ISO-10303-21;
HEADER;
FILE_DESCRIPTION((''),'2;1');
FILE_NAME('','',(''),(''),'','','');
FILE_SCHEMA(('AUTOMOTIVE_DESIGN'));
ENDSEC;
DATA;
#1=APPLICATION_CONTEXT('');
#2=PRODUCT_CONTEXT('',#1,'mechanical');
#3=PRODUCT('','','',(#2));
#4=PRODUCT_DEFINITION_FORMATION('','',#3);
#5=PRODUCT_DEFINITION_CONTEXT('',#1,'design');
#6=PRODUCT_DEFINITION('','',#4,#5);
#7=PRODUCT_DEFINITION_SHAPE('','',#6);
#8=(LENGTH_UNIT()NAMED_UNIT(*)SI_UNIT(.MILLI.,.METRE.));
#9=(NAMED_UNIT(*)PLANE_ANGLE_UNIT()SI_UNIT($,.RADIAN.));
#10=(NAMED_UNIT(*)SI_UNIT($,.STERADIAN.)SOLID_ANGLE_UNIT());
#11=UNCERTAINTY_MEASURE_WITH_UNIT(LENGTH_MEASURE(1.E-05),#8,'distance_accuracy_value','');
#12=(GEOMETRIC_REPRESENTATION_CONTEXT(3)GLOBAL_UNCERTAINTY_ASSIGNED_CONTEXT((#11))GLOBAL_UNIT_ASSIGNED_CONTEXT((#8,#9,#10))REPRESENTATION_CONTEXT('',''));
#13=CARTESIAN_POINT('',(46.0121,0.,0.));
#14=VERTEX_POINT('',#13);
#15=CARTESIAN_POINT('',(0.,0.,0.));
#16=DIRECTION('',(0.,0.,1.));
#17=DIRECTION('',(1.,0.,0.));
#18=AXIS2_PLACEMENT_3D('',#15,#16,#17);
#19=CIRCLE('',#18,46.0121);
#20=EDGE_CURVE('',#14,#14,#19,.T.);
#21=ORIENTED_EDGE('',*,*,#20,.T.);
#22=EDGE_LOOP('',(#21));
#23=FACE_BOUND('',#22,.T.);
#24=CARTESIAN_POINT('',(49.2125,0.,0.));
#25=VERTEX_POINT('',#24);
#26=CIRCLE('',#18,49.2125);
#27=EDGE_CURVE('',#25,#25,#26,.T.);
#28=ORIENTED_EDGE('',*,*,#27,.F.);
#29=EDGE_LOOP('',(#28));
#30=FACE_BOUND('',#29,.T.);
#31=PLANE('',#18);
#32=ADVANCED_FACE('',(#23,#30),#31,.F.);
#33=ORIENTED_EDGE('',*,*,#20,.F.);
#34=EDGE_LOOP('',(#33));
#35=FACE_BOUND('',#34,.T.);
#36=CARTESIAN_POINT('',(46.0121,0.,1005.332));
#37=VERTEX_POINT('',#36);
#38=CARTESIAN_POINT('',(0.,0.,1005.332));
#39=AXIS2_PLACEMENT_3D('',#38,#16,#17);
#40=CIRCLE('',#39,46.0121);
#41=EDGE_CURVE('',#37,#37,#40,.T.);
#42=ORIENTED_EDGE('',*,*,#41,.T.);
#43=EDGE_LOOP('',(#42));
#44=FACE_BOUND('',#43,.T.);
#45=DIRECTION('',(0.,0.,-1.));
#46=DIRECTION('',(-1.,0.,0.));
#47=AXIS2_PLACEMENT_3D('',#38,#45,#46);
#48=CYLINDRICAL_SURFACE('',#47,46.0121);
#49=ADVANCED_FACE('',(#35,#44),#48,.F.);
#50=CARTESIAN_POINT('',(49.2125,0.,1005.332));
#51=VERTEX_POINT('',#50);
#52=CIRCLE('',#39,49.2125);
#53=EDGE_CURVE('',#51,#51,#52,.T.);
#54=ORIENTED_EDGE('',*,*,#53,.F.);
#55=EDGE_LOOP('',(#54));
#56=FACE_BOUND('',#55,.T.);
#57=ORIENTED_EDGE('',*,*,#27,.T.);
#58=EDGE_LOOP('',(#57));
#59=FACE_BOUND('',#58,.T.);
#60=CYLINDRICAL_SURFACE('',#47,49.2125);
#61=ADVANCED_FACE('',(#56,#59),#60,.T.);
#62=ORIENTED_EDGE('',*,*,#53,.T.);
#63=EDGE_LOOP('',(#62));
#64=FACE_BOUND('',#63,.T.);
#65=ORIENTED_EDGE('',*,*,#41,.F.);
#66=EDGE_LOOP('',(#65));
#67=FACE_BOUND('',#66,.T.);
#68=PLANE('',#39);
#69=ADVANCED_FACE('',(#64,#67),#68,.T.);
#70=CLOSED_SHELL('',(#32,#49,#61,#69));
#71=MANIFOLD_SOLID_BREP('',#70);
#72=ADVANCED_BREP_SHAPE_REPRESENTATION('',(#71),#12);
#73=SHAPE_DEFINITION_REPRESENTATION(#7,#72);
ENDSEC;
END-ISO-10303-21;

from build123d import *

# Parameters (mm, degrees)
SKETCH1_R      = 49.2125
SKETCH1_R_2    = 46.0121
EXTRUDE1_DEPTH = 1005.332


with BuildPart() as part:
    # Sketch1 → Extrude1 (new body)
    with BuildSketch(Plane.XY):
        Circle(SKETCH1_R)
        Circle(SKETCH1_R_2, mode=Mode.SUBTRACT)
    extrude(amount=EXTRUDE1_DEPTH)


solid = part.part
